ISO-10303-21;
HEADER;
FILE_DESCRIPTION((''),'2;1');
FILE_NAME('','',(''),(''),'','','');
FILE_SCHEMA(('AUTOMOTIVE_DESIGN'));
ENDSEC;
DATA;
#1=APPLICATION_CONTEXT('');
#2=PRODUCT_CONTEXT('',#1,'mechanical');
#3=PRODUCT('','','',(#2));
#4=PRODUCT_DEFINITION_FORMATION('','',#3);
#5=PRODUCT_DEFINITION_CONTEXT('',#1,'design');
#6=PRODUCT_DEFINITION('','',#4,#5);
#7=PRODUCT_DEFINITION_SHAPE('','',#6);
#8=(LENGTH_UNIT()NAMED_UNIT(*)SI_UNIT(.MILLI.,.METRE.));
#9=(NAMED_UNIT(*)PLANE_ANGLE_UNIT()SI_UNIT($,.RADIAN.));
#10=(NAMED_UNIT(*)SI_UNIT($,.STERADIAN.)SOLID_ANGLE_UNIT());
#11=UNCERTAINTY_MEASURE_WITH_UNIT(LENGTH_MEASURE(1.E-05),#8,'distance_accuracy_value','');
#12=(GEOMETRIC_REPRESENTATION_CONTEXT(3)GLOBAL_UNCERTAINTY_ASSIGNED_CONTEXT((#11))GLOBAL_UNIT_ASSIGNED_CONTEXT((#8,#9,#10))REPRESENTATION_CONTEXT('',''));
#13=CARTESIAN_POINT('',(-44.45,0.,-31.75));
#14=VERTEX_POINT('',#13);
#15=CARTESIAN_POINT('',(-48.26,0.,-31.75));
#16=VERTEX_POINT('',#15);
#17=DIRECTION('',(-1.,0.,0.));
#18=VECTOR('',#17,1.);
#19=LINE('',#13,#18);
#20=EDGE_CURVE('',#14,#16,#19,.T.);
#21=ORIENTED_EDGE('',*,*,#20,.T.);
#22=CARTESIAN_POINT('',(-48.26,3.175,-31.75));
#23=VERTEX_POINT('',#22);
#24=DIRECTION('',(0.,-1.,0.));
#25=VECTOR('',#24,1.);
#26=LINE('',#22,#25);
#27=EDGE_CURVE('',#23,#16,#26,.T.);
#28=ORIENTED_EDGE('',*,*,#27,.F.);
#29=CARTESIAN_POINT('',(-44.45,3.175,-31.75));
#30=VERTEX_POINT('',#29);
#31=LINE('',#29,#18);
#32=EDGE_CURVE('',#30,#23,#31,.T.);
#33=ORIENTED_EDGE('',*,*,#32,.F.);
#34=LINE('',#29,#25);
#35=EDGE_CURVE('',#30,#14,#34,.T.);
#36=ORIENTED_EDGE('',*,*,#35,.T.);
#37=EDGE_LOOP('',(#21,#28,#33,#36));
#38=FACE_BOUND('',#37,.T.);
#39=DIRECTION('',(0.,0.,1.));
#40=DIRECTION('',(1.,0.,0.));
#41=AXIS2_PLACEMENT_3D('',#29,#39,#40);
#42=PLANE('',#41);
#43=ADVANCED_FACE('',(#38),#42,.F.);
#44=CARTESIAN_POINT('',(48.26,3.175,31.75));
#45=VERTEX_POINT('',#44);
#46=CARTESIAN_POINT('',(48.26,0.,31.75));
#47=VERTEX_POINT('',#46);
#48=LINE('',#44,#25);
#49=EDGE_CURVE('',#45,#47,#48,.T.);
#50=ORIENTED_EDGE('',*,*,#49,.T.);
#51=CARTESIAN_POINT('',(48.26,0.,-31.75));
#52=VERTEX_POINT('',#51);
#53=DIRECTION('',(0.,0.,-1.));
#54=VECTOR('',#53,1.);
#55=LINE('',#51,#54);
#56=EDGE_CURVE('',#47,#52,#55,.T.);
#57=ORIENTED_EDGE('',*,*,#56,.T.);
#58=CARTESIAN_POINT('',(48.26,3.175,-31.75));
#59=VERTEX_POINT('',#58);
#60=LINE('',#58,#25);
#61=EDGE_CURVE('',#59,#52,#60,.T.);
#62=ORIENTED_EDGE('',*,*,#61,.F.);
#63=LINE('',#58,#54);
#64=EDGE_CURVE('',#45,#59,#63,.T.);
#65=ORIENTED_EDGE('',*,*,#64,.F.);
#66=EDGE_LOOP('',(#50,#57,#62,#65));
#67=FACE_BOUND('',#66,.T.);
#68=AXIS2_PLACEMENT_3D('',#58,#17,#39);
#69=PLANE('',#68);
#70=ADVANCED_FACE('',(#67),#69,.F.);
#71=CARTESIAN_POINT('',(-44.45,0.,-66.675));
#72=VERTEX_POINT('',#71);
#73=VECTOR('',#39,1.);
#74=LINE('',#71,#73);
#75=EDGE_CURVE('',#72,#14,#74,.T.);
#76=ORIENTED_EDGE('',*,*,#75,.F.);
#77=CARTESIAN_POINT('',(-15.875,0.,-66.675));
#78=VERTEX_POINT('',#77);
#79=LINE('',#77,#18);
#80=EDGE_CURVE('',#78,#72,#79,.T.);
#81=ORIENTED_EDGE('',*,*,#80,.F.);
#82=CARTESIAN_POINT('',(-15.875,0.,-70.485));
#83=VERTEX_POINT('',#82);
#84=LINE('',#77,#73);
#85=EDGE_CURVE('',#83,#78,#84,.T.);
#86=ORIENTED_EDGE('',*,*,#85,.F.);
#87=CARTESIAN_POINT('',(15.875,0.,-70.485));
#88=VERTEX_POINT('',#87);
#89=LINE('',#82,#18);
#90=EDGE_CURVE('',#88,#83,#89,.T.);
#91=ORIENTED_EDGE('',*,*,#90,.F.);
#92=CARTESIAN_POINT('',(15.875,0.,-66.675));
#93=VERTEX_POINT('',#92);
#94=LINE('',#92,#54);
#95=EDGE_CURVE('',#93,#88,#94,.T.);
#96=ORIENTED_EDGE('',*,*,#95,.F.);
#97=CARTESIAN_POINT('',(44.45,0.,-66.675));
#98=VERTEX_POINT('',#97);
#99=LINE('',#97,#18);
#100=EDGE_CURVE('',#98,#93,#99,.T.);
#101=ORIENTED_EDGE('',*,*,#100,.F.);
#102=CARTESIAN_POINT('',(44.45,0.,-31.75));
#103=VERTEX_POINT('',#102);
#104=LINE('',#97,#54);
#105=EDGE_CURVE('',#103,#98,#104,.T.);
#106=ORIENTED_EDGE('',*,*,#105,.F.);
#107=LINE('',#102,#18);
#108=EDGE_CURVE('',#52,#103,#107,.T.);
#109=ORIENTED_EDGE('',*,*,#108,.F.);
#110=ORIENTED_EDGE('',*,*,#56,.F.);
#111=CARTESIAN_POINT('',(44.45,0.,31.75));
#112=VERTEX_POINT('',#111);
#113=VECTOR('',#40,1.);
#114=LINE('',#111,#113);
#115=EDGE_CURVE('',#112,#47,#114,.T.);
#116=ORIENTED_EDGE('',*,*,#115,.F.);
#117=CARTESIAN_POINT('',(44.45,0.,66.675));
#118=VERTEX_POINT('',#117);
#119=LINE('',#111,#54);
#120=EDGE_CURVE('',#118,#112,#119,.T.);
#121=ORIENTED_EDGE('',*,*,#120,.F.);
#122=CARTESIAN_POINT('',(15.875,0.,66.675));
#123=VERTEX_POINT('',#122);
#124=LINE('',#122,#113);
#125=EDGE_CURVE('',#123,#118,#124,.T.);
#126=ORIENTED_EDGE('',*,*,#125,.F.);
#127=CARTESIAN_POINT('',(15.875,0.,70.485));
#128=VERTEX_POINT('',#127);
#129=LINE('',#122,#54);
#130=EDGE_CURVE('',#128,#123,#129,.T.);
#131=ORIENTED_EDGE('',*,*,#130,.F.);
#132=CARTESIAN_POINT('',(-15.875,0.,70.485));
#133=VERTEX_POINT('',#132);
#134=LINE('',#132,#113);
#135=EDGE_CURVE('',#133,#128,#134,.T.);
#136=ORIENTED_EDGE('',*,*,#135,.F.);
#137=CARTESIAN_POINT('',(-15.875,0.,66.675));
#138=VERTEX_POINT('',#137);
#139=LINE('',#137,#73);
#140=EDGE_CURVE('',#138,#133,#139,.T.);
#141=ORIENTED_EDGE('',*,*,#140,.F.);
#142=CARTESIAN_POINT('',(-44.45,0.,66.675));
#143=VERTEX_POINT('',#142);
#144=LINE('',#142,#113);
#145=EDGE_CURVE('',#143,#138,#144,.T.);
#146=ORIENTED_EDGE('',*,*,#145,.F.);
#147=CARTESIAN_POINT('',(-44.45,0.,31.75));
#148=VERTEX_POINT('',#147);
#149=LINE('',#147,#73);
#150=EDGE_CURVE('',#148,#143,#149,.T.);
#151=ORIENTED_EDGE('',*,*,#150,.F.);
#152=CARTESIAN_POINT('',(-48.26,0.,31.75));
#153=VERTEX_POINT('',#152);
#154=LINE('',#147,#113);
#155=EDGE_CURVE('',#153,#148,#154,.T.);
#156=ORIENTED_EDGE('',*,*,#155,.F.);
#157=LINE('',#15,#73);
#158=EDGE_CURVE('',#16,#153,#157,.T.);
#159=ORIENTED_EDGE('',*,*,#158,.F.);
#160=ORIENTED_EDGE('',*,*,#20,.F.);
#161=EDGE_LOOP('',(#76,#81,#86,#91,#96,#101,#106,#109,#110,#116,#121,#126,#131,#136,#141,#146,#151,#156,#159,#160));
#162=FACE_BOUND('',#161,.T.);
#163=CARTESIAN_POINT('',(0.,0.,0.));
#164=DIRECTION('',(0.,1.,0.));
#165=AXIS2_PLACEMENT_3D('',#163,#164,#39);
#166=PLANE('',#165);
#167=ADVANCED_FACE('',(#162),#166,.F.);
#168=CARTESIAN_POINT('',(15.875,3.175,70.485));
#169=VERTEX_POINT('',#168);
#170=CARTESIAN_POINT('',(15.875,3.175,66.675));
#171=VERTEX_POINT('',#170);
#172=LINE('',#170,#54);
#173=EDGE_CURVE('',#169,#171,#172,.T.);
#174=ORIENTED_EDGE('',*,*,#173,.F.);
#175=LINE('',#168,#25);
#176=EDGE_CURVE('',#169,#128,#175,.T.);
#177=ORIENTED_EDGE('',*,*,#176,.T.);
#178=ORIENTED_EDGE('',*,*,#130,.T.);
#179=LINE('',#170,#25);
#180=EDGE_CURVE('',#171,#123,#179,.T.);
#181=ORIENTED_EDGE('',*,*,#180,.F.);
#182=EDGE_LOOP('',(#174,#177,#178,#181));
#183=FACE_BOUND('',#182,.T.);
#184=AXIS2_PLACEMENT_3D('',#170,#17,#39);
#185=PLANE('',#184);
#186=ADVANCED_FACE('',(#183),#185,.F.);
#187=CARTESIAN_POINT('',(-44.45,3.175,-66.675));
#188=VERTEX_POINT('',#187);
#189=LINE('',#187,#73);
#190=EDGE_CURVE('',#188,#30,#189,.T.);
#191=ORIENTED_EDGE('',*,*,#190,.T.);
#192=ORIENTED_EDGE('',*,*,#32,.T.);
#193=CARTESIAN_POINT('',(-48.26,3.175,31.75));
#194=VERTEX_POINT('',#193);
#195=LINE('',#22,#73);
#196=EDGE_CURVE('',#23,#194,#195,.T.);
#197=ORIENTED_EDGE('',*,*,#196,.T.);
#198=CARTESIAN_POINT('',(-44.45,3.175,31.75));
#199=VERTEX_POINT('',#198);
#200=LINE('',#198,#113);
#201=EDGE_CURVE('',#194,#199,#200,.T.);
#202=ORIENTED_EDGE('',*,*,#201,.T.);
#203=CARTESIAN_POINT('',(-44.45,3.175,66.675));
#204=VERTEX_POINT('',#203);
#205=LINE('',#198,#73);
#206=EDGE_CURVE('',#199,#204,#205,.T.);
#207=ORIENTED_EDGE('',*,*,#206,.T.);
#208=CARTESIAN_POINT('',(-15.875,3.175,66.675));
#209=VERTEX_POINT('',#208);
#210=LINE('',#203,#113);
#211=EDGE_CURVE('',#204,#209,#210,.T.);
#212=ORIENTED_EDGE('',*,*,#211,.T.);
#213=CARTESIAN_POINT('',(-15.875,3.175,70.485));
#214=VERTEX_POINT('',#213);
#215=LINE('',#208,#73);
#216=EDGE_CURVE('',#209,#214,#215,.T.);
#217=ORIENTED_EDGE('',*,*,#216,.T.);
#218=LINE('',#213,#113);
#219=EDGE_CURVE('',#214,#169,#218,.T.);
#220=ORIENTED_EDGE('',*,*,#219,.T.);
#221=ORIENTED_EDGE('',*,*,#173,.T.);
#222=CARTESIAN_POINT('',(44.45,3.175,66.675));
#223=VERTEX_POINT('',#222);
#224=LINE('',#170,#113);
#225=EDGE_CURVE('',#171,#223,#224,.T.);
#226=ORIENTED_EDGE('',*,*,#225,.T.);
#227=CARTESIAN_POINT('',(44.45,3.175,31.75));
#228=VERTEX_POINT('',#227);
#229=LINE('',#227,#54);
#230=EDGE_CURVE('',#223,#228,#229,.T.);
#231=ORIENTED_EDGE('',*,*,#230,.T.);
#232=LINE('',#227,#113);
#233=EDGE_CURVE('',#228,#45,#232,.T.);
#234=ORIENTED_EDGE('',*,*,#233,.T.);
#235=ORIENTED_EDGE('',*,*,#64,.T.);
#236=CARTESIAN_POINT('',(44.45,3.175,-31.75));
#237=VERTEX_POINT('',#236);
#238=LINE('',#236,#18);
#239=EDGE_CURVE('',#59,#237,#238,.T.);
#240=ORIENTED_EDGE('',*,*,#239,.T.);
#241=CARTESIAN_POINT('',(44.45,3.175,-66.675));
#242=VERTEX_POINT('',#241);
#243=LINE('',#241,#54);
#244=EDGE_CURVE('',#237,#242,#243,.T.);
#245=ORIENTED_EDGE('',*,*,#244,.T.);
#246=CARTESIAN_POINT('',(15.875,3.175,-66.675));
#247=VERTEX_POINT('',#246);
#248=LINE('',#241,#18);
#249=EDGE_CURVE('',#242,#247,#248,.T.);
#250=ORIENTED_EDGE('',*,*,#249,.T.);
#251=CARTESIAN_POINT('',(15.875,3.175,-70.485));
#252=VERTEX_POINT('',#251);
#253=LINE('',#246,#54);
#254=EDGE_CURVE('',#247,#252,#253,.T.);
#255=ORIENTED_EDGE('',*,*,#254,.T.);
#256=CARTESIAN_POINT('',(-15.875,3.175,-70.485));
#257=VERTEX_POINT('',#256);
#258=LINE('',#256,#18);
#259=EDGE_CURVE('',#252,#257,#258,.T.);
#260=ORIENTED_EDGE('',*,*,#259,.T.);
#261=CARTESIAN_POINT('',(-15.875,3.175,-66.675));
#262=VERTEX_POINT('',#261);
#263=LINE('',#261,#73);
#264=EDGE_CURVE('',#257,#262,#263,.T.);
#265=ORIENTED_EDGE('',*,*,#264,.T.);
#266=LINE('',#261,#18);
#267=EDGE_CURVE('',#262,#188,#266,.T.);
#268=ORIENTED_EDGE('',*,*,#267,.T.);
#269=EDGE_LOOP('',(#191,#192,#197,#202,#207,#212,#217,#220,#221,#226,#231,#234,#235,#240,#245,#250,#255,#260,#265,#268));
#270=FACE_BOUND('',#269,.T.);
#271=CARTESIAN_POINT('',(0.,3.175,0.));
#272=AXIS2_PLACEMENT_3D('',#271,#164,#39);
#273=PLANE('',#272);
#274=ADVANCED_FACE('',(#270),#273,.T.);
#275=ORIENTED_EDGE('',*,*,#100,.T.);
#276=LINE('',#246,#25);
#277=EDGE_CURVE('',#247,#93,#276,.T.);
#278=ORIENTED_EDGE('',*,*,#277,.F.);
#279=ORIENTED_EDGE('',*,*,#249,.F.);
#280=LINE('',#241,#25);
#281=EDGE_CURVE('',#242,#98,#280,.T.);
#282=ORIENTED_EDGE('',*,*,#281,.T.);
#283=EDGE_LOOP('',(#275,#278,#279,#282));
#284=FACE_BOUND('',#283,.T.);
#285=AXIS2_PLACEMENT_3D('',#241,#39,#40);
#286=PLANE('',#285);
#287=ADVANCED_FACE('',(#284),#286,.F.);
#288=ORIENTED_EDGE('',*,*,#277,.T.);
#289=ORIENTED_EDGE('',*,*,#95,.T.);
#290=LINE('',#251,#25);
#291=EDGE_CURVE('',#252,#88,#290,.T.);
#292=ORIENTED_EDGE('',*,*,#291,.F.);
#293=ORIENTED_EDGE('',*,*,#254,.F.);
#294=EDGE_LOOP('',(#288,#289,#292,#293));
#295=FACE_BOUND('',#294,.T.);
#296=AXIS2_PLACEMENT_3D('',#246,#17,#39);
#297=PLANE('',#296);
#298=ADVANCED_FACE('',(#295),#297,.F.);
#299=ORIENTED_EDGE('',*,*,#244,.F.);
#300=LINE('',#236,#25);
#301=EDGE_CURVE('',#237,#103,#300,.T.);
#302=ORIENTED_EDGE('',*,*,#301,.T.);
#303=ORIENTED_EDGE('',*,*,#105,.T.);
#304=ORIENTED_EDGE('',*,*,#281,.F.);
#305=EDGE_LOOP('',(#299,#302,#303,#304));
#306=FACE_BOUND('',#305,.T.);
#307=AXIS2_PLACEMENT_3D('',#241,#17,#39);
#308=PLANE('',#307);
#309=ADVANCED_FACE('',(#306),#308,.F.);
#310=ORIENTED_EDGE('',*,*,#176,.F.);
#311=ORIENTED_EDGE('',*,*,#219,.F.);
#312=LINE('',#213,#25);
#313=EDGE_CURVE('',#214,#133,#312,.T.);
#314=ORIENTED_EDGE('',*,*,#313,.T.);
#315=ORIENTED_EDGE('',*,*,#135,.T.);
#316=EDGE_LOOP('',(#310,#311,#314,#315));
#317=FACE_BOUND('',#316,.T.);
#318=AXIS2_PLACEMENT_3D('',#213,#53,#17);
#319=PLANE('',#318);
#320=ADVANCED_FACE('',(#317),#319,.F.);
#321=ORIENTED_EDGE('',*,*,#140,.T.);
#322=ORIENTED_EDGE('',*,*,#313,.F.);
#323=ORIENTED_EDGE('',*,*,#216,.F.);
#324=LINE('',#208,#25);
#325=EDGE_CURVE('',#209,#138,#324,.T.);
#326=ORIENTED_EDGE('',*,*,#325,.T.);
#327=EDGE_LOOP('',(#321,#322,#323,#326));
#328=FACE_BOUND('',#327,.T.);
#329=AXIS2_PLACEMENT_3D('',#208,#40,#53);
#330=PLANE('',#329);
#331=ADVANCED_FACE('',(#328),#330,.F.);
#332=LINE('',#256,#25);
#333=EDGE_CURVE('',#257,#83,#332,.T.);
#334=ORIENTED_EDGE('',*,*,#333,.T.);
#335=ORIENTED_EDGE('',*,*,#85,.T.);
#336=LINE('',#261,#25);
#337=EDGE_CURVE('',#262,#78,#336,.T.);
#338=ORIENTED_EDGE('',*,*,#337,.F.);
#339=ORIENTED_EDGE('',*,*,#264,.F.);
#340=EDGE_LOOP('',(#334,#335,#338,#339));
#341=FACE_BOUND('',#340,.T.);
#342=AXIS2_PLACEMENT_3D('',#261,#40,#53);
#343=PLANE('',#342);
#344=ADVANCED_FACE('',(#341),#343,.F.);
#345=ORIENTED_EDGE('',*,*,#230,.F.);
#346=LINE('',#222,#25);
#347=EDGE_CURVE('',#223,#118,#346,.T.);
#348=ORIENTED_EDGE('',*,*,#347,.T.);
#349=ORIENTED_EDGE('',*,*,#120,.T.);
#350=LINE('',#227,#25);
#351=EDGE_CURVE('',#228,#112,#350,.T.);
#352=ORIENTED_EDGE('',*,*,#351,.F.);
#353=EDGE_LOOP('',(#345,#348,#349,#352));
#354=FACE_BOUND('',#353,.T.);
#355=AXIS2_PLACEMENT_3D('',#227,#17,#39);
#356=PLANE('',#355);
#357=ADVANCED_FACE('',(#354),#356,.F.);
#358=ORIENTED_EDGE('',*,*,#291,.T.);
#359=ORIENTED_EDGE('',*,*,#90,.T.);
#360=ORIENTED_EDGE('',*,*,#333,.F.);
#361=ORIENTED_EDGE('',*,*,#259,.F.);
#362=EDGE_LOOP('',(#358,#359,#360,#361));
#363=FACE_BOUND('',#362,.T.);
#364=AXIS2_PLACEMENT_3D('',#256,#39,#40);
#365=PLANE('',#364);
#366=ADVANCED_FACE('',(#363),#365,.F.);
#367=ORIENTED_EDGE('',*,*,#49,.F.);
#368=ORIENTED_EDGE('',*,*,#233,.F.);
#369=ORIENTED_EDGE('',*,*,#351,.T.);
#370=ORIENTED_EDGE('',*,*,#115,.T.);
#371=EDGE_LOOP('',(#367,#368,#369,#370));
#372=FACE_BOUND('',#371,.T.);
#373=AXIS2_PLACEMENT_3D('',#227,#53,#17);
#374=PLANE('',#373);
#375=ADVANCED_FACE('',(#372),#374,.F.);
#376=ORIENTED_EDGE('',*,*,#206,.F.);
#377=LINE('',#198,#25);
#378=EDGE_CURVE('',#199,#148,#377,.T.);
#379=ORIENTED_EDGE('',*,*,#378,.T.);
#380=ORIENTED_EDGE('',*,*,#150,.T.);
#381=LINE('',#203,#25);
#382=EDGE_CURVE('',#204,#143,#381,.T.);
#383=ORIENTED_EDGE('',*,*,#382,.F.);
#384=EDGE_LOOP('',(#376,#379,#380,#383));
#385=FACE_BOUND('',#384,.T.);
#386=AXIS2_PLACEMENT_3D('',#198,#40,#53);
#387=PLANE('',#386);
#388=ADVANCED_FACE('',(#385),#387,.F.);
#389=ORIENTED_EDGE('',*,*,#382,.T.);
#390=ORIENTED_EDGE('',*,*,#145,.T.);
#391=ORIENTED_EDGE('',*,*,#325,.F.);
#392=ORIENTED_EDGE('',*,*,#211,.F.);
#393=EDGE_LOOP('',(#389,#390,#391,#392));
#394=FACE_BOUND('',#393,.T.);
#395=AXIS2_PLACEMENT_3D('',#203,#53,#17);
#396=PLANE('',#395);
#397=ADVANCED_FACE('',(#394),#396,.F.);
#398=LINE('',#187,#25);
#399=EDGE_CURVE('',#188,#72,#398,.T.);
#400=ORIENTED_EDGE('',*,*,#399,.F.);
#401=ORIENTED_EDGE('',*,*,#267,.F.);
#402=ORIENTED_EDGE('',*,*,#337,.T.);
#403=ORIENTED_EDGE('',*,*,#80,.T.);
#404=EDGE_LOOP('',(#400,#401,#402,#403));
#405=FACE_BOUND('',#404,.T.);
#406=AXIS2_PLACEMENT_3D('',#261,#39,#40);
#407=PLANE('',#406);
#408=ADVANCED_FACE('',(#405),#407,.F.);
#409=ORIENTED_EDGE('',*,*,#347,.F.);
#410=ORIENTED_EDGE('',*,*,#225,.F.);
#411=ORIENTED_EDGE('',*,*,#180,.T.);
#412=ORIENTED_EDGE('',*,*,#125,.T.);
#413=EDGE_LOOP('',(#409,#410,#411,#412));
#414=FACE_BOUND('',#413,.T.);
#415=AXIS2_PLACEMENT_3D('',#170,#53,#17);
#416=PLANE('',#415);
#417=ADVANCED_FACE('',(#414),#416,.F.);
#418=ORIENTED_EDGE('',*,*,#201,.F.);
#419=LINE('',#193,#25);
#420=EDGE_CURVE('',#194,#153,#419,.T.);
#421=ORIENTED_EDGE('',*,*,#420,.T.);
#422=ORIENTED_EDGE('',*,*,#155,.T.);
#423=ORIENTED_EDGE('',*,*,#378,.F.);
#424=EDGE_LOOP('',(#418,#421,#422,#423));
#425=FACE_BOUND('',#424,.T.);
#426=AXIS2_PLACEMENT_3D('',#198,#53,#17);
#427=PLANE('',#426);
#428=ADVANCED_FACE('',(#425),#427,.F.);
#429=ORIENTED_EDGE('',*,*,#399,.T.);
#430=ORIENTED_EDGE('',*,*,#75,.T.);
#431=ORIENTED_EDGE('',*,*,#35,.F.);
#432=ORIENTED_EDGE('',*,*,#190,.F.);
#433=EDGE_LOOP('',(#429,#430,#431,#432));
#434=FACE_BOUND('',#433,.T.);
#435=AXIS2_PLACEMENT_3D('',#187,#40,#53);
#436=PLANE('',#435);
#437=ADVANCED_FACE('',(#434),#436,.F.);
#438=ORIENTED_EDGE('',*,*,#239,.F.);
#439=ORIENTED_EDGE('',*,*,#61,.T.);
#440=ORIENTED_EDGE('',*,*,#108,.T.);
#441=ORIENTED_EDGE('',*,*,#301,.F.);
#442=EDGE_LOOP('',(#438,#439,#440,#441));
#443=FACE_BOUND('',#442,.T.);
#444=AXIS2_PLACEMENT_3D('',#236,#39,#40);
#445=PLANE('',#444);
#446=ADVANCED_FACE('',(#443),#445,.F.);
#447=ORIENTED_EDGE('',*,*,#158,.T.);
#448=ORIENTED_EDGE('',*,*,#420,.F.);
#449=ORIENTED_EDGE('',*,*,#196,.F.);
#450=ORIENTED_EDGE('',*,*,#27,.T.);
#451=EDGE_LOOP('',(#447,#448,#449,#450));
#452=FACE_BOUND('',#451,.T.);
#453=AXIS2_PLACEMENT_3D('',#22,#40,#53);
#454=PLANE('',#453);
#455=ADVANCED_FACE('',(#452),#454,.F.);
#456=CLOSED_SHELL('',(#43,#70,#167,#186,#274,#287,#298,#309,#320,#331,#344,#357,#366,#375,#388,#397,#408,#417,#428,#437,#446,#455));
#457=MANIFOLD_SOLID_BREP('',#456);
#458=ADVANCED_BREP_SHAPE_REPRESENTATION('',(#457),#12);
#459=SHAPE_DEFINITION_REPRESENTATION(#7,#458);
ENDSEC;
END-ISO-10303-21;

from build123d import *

# Parameters (mm, degrees)
BOSS_EXTRUDE1_DEPTH = 3.175


with BuildPart() as part:
    # Sketch2 → Boss-Extrude1 (new body)
    with BuildSketch(Plane(origin=(0, 0, 0), x_dir=(1, 0, 0), z_dir=(0, 1, 0))):
        Polygon((-44.45, 66.675), (-44.45, 31.75), (-48.26, 31.75), (-48.26, -31.75), (-44.45, -31.75), (-44.45, -66.675), (-15.875, -66.675), (-15.875, -70.485), (15.875, -70.485), (15.875, -66.675), (44.45, -66.675), (44.45, -31.75), (48.26, -31.75), (48.26, 31.75), (44.45, 31.75), (44.45, 66.675), (15.875, 66.675), (15.875, 70.485), (-15.875, 70.485), (-15.875, 66.675), align=None)
    extrude(amount=BOSS_EXTRUDE1_DEPTH)


solid = part.part
